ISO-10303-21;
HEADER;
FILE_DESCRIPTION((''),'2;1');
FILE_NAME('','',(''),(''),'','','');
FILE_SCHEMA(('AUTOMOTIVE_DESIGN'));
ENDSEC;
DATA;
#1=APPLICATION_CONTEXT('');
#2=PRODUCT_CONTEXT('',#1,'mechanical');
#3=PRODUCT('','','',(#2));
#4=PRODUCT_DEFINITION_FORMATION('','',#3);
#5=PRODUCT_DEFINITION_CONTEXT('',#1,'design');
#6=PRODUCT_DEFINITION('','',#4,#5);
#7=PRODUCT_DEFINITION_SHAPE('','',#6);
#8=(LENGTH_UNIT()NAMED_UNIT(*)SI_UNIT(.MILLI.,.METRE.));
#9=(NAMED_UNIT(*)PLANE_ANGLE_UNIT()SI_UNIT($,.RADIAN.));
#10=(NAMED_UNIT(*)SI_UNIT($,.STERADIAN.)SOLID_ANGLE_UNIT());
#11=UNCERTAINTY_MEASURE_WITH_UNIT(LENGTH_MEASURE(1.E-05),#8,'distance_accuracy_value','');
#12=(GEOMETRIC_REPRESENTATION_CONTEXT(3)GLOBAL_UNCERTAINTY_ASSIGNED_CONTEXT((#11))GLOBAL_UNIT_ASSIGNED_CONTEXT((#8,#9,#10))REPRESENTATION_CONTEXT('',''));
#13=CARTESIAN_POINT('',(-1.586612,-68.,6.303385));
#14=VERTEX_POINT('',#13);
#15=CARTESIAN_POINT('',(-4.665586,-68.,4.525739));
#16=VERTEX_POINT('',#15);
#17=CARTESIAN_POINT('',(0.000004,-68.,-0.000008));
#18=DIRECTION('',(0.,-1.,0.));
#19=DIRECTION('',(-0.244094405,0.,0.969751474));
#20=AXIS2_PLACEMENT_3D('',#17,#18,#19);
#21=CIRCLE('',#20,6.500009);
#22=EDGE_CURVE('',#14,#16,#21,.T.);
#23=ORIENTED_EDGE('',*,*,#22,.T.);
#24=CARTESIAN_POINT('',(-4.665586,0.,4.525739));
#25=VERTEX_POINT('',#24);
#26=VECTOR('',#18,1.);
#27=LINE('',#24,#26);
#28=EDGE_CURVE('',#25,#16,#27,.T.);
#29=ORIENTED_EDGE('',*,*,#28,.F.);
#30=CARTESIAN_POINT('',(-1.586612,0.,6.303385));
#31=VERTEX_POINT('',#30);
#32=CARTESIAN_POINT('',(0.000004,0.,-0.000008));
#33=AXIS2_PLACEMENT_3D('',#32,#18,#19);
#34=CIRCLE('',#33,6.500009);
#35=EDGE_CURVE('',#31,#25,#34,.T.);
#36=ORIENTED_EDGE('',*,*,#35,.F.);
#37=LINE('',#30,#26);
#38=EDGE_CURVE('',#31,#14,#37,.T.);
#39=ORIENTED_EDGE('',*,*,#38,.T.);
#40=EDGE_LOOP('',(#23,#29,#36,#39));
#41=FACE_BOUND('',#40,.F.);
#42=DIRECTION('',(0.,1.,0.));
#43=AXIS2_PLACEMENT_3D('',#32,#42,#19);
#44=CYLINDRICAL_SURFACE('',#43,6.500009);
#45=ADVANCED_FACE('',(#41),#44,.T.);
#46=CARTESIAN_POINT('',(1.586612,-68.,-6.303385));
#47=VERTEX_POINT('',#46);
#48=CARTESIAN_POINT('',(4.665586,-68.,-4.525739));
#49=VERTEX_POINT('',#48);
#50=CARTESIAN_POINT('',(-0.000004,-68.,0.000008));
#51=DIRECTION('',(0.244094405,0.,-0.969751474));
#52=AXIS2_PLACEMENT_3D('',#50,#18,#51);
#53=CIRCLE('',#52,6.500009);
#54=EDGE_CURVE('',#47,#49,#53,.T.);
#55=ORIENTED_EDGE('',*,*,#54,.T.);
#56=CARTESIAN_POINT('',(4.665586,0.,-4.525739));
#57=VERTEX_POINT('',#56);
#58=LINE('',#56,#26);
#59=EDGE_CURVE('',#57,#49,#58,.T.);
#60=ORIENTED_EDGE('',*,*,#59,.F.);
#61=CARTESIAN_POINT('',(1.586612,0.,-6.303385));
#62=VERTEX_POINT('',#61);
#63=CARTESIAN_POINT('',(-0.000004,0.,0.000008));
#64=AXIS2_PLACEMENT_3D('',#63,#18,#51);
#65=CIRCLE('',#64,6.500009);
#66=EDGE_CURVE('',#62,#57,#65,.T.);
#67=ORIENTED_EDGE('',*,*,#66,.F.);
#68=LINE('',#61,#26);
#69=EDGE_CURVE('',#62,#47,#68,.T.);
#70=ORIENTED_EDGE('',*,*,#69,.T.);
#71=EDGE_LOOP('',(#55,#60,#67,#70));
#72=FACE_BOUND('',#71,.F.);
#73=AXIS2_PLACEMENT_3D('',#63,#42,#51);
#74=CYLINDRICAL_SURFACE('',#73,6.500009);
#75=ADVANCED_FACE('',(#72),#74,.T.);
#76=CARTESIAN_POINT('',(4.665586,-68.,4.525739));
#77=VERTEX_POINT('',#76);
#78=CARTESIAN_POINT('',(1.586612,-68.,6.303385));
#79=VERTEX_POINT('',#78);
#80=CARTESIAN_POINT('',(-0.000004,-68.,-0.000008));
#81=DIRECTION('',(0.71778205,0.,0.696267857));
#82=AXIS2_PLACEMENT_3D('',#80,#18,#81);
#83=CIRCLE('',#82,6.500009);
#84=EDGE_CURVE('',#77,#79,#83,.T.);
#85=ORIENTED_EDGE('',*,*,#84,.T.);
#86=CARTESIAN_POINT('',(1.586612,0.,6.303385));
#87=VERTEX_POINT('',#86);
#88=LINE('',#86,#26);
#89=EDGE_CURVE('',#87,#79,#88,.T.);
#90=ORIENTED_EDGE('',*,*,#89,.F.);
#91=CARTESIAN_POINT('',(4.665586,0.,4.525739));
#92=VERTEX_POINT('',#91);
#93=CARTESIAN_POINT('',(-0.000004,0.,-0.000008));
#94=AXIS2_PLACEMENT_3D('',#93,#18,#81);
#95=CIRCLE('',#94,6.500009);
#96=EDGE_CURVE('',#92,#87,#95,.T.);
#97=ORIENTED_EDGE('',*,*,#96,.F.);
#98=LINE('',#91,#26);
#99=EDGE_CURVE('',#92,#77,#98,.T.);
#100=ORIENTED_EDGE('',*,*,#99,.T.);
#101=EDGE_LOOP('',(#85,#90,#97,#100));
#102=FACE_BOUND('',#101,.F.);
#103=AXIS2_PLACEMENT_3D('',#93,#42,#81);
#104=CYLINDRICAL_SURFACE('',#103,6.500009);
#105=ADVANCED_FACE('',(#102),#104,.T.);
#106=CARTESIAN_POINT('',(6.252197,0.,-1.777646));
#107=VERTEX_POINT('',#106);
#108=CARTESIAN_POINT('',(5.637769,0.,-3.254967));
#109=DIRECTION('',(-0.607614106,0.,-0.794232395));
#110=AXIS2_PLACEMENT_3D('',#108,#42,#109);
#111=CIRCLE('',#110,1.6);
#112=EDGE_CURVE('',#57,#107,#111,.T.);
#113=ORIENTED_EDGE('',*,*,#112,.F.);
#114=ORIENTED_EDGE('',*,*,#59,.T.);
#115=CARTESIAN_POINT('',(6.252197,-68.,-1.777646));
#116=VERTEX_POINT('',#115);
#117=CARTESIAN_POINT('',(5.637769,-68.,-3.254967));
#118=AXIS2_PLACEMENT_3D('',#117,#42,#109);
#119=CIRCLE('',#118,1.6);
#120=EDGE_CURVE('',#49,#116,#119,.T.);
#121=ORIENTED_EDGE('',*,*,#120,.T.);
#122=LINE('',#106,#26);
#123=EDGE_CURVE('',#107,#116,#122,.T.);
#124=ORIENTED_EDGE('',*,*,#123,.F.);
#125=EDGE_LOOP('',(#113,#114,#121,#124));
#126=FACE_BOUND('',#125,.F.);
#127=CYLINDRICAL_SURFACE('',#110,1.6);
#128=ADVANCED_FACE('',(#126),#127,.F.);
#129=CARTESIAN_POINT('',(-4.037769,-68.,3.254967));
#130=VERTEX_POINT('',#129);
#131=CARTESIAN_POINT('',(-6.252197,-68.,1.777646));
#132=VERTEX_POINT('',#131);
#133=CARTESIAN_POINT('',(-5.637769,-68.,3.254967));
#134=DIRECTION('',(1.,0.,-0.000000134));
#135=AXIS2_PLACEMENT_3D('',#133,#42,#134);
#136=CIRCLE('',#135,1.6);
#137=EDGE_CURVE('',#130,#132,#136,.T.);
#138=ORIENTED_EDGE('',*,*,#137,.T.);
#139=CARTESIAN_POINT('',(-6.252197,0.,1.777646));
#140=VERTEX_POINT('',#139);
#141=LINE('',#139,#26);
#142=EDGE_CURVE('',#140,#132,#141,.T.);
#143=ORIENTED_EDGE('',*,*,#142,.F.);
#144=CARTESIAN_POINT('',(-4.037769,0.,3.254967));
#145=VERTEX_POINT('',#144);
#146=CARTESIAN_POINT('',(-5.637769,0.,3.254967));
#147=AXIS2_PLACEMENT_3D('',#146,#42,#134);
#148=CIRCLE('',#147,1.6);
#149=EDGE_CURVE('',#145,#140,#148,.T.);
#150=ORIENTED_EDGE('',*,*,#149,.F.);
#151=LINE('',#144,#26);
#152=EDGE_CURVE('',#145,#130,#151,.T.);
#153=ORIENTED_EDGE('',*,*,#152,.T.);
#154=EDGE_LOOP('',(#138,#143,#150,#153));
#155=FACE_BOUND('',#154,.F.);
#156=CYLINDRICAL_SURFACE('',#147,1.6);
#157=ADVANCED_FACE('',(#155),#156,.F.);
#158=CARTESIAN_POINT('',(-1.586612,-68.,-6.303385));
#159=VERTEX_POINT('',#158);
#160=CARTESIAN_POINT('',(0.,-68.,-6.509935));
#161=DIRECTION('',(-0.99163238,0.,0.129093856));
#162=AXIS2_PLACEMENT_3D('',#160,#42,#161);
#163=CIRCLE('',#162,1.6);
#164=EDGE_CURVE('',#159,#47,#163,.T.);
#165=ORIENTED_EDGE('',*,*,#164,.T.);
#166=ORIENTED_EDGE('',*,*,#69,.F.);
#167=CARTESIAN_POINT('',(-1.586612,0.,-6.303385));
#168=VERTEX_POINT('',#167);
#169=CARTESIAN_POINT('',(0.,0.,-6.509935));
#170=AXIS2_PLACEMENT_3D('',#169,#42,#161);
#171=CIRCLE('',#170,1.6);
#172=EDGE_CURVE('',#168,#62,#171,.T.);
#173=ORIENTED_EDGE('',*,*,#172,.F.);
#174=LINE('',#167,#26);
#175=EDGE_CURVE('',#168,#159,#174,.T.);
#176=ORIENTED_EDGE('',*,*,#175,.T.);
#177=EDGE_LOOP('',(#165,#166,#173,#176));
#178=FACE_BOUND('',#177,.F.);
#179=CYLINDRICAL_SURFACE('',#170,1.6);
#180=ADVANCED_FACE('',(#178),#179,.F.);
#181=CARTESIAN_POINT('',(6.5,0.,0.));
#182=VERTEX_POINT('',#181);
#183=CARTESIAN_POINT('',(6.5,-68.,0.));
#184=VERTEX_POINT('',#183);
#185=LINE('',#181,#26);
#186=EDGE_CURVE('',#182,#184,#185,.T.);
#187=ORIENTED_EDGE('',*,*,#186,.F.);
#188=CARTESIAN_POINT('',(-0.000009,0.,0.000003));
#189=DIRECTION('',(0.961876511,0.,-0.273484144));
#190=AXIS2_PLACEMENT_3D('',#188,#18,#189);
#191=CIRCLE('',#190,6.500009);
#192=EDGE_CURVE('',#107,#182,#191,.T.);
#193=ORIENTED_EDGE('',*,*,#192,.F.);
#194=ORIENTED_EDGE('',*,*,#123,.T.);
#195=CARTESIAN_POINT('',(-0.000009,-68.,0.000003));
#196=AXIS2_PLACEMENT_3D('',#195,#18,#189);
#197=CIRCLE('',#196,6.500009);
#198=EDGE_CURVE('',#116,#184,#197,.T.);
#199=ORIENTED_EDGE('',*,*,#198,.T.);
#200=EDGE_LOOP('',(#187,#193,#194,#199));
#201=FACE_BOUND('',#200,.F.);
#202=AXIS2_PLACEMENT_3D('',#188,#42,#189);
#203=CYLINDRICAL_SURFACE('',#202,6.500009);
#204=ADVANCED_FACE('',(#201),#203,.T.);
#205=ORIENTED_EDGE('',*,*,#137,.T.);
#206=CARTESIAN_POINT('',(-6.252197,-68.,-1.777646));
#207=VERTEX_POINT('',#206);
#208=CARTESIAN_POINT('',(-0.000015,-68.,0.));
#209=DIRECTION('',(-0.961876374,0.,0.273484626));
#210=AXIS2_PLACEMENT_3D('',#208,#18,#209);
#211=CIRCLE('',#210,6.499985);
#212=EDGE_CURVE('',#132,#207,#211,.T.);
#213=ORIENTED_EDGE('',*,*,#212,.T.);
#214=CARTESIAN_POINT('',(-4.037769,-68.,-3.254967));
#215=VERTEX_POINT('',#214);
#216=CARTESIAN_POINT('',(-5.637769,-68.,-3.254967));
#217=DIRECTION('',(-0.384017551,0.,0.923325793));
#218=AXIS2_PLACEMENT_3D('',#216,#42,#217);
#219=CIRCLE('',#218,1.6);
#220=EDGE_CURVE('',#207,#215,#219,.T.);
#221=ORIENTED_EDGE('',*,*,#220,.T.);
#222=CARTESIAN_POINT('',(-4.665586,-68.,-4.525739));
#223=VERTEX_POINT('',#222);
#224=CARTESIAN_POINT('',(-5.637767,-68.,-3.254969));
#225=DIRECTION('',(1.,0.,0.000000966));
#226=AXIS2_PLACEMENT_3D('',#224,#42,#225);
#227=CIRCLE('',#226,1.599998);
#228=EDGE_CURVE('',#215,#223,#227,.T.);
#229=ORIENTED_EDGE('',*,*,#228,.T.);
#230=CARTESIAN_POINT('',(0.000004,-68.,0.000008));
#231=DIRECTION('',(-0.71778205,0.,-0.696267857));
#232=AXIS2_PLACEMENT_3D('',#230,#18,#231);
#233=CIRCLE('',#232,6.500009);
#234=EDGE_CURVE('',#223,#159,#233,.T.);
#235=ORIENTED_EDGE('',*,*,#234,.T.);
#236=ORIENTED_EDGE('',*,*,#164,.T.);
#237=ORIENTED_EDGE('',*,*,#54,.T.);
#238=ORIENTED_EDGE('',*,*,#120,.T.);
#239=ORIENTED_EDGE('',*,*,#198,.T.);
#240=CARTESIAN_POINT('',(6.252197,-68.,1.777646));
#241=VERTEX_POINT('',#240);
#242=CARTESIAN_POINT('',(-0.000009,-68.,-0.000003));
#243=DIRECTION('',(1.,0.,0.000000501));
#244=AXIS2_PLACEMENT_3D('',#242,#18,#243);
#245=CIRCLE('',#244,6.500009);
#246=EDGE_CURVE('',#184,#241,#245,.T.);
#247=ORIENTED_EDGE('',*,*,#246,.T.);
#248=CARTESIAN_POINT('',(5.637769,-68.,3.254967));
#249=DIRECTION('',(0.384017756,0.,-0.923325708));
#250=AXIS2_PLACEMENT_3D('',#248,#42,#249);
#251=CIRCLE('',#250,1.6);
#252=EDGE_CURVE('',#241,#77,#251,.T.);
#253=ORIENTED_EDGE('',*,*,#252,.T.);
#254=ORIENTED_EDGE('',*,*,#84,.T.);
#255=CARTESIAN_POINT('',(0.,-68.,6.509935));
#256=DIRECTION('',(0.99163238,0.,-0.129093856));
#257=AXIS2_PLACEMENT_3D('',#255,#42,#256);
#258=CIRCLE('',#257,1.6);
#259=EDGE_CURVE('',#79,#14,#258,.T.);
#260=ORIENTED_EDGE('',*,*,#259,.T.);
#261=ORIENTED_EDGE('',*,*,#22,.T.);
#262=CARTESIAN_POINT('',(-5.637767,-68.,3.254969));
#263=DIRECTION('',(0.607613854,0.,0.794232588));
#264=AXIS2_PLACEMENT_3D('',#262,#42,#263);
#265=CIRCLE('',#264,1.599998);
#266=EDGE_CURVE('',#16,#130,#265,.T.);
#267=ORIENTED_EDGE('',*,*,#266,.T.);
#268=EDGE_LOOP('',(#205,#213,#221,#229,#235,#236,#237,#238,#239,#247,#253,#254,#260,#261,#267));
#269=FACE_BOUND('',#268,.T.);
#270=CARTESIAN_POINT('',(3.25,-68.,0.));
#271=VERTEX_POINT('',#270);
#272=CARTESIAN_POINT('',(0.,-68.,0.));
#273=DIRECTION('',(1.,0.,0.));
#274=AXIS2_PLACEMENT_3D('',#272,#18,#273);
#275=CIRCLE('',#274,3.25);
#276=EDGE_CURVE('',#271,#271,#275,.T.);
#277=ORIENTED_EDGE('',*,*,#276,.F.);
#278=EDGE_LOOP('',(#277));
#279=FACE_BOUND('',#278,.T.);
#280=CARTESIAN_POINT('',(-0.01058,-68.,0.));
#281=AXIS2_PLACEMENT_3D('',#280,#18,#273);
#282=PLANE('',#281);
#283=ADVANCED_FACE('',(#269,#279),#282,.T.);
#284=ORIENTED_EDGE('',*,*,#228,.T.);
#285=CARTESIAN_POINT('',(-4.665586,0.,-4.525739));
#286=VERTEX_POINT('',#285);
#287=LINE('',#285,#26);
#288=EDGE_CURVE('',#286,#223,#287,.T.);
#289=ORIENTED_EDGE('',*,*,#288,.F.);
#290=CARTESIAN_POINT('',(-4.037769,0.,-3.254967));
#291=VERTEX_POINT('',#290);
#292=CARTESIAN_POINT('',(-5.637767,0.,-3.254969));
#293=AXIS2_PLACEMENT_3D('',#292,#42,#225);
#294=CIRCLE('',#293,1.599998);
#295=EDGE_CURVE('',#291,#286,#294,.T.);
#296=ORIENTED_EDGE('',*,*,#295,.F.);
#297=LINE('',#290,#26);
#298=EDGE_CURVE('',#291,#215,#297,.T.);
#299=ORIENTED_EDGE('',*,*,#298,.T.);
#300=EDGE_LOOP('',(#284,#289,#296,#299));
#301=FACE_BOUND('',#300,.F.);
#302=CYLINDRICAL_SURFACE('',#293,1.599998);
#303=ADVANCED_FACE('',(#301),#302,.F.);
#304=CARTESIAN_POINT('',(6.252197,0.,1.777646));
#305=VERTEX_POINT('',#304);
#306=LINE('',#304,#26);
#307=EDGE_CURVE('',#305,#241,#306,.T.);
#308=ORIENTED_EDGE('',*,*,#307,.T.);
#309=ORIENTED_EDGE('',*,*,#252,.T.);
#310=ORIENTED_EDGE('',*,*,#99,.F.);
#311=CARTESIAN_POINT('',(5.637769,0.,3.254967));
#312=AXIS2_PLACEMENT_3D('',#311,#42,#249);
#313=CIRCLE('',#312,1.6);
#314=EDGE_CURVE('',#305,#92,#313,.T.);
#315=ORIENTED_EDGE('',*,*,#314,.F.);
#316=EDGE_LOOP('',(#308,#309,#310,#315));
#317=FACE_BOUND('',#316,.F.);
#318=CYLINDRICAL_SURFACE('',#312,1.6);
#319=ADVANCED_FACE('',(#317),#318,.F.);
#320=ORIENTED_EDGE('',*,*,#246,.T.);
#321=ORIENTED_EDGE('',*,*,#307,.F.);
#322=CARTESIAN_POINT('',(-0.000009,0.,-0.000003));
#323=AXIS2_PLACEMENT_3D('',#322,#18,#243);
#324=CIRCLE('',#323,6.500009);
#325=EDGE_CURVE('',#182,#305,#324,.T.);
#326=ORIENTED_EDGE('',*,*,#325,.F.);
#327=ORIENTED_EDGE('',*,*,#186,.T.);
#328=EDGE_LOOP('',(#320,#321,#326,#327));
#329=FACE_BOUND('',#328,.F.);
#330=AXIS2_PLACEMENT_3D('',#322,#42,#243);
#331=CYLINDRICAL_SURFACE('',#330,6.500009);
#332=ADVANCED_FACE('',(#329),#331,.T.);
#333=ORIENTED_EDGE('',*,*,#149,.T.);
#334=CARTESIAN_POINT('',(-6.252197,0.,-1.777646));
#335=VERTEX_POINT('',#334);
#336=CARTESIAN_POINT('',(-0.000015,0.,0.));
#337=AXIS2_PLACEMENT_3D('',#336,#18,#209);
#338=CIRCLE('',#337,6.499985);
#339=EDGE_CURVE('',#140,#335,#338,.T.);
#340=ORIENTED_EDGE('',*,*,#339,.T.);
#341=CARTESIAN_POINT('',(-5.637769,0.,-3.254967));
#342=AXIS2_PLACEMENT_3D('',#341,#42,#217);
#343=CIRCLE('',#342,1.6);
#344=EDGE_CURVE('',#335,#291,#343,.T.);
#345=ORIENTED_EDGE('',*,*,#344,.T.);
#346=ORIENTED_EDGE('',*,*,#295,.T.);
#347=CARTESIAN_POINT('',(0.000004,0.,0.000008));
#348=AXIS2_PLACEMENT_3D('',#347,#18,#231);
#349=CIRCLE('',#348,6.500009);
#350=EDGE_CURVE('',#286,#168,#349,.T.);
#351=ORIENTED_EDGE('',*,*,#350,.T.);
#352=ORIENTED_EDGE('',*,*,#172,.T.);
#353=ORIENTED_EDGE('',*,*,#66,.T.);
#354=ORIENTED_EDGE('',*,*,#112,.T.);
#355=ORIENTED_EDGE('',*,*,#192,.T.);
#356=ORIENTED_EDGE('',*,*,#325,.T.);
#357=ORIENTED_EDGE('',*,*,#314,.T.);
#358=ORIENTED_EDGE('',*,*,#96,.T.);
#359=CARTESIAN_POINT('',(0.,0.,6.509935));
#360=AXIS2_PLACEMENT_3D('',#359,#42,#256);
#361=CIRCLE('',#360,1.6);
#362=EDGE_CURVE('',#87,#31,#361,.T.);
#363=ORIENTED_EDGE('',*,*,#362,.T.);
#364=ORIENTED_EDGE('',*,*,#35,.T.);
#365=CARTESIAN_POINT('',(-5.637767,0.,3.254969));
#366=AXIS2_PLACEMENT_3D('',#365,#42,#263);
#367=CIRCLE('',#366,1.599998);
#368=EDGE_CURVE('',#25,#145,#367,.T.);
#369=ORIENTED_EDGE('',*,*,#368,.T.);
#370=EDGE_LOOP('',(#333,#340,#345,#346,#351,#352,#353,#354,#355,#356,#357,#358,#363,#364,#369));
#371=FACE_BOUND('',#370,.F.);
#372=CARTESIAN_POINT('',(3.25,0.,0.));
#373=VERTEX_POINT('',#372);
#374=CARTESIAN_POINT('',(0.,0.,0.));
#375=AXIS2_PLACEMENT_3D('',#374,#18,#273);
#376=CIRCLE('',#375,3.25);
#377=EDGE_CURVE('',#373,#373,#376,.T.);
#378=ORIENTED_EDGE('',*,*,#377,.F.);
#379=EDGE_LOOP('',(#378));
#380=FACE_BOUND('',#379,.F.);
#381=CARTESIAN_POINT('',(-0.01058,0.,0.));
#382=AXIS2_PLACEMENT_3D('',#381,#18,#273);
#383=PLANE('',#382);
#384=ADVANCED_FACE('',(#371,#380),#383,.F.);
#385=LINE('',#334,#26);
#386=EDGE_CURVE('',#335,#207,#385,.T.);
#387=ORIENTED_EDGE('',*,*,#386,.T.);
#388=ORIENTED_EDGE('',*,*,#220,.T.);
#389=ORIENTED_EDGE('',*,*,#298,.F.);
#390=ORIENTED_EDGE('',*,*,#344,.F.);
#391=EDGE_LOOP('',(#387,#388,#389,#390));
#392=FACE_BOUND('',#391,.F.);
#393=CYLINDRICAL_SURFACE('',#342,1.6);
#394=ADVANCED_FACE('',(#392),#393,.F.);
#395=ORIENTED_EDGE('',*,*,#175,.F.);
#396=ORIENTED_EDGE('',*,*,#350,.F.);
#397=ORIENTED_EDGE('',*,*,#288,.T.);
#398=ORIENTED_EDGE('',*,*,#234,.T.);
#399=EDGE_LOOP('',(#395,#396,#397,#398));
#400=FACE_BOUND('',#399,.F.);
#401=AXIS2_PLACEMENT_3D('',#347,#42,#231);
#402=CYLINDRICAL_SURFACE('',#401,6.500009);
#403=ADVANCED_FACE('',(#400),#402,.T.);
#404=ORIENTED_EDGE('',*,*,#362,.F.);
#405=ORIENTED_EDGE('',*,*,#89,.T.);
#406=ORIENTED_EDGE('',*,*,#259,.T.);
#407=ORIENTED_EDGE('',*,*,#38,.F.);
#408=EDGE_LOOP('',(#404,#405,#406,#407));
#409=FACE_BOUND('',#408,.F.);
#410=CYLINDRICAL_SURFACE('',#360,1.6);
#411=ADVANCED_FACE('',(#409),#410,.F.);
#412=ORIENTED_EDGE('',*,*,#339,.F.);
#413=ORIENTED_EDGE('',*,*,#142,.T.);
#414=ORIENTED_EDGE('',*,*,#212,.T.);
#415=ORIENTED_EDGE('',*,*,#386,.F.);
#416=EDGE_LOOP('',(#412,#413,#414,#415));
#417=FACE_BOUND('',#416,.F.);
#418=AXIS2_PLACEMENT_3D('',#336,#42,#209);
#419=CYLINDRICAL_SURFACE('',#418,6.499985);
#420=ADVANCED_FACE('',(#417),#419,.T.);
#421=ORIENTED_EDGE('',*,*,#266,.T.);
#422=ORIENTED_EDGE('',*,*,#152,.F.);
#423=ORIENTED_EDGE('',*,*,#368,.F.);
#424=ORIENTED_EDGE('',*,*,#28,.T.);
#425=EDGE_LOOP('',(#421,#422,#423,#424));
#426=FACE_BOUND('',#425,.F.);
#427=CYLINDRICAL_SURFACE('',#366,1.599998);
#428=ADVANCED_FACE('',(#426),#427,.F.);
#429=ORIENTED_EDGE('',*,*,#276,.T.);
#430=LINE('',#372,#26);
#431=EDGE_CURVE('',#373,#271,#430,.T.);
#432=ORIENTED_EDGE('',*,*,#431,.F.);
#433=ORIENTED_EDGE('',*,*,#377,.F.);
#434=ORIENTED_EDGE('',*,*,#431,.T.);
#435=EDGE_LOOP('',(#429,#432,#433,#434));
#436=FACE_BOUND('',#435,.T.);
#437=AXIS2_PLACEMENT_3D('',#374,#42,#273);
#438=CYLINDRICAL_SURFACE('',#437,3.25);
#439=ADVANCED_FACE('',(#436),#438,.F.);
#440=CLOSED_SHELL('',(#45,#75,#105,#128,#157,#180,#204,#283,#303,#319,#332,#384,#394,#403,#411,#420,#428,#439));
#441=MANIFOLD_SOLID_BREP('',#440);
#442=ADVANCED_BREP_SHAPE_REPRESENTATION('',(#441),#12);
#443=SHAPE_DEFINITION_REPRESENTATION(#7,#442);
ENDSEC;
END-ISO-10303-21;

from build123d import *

# Parameters (mm, degrees)
F0_R     = 3.25
F1_DEPTH = 68


with BuildPart() as f1:
    # F0 (on Front) → F1 (new body)
    with BuildSketch(Plane.XZ):
        with BuildLine():
            ThreePointArc((6.252197, -1.777646), (6.437751, -0.897417), (6.5, 0))
            ThreePointArc((6.5, 0), (6.437751, 0.897417), (6.252197, 1.777646))
            ThreePointArc((6.252197, 1.777646), (4.252128, 2.454967), (4.665586, 4.525739))
            ThreePointArc((4.665586, 4.525739), (3.25, 5.629165), (1.586612, 6.303385))
            ThreePointArc((1.586612, 6.303385), (0, 4.909935), (-1.586612, 6.303385))
            ThreePointArc((-1.586612, 6.303385), (-3.25, 5.629165), (-4.665586, 4.525739))
            ThreePointArc((-4.665586, 4.525739), (-4.203284, 3.963666), (-4.037769, 3.254967))
            ThreePointArc((-4.037769, 3.254967), (-4.749818, 1.923974), (-6.252197, 1.777646))
            ThreePointArc((-6.252197, 1.777646), (-6.5, 0), (-6.252197, -1.777646))
            ThreePointArc((-6.252197, -1.777646), (-4.749818, -1.923974), (-4.037769, -3.254967))
            ThreePointArc((-4.037769, -3.254967), (-4.203284, -3.963666), (-4.665586, -4.525739))
            ThreePointArc((-4.665586, -4.525739), (-3.25, -5.629165), (-1.586612, -6.303385))
            ThreePointArc((-1.586612, -6.303385), (0, -4.909935), (1.586612, -6.303385))
            ThreePointArc((1.586612, -6.303385), (3.25, -5.629165), (4.665586, -4.525739))
            ThreePointArc((4.665586, -4.525739), (4.252128, -2.454967), (6.252197, -1.777646))
        make_face()
        Circle(F0_R, mode=Mode.SUBTRACT)
    extrude(amount=F1_DEPTH)


solid = f1.part
